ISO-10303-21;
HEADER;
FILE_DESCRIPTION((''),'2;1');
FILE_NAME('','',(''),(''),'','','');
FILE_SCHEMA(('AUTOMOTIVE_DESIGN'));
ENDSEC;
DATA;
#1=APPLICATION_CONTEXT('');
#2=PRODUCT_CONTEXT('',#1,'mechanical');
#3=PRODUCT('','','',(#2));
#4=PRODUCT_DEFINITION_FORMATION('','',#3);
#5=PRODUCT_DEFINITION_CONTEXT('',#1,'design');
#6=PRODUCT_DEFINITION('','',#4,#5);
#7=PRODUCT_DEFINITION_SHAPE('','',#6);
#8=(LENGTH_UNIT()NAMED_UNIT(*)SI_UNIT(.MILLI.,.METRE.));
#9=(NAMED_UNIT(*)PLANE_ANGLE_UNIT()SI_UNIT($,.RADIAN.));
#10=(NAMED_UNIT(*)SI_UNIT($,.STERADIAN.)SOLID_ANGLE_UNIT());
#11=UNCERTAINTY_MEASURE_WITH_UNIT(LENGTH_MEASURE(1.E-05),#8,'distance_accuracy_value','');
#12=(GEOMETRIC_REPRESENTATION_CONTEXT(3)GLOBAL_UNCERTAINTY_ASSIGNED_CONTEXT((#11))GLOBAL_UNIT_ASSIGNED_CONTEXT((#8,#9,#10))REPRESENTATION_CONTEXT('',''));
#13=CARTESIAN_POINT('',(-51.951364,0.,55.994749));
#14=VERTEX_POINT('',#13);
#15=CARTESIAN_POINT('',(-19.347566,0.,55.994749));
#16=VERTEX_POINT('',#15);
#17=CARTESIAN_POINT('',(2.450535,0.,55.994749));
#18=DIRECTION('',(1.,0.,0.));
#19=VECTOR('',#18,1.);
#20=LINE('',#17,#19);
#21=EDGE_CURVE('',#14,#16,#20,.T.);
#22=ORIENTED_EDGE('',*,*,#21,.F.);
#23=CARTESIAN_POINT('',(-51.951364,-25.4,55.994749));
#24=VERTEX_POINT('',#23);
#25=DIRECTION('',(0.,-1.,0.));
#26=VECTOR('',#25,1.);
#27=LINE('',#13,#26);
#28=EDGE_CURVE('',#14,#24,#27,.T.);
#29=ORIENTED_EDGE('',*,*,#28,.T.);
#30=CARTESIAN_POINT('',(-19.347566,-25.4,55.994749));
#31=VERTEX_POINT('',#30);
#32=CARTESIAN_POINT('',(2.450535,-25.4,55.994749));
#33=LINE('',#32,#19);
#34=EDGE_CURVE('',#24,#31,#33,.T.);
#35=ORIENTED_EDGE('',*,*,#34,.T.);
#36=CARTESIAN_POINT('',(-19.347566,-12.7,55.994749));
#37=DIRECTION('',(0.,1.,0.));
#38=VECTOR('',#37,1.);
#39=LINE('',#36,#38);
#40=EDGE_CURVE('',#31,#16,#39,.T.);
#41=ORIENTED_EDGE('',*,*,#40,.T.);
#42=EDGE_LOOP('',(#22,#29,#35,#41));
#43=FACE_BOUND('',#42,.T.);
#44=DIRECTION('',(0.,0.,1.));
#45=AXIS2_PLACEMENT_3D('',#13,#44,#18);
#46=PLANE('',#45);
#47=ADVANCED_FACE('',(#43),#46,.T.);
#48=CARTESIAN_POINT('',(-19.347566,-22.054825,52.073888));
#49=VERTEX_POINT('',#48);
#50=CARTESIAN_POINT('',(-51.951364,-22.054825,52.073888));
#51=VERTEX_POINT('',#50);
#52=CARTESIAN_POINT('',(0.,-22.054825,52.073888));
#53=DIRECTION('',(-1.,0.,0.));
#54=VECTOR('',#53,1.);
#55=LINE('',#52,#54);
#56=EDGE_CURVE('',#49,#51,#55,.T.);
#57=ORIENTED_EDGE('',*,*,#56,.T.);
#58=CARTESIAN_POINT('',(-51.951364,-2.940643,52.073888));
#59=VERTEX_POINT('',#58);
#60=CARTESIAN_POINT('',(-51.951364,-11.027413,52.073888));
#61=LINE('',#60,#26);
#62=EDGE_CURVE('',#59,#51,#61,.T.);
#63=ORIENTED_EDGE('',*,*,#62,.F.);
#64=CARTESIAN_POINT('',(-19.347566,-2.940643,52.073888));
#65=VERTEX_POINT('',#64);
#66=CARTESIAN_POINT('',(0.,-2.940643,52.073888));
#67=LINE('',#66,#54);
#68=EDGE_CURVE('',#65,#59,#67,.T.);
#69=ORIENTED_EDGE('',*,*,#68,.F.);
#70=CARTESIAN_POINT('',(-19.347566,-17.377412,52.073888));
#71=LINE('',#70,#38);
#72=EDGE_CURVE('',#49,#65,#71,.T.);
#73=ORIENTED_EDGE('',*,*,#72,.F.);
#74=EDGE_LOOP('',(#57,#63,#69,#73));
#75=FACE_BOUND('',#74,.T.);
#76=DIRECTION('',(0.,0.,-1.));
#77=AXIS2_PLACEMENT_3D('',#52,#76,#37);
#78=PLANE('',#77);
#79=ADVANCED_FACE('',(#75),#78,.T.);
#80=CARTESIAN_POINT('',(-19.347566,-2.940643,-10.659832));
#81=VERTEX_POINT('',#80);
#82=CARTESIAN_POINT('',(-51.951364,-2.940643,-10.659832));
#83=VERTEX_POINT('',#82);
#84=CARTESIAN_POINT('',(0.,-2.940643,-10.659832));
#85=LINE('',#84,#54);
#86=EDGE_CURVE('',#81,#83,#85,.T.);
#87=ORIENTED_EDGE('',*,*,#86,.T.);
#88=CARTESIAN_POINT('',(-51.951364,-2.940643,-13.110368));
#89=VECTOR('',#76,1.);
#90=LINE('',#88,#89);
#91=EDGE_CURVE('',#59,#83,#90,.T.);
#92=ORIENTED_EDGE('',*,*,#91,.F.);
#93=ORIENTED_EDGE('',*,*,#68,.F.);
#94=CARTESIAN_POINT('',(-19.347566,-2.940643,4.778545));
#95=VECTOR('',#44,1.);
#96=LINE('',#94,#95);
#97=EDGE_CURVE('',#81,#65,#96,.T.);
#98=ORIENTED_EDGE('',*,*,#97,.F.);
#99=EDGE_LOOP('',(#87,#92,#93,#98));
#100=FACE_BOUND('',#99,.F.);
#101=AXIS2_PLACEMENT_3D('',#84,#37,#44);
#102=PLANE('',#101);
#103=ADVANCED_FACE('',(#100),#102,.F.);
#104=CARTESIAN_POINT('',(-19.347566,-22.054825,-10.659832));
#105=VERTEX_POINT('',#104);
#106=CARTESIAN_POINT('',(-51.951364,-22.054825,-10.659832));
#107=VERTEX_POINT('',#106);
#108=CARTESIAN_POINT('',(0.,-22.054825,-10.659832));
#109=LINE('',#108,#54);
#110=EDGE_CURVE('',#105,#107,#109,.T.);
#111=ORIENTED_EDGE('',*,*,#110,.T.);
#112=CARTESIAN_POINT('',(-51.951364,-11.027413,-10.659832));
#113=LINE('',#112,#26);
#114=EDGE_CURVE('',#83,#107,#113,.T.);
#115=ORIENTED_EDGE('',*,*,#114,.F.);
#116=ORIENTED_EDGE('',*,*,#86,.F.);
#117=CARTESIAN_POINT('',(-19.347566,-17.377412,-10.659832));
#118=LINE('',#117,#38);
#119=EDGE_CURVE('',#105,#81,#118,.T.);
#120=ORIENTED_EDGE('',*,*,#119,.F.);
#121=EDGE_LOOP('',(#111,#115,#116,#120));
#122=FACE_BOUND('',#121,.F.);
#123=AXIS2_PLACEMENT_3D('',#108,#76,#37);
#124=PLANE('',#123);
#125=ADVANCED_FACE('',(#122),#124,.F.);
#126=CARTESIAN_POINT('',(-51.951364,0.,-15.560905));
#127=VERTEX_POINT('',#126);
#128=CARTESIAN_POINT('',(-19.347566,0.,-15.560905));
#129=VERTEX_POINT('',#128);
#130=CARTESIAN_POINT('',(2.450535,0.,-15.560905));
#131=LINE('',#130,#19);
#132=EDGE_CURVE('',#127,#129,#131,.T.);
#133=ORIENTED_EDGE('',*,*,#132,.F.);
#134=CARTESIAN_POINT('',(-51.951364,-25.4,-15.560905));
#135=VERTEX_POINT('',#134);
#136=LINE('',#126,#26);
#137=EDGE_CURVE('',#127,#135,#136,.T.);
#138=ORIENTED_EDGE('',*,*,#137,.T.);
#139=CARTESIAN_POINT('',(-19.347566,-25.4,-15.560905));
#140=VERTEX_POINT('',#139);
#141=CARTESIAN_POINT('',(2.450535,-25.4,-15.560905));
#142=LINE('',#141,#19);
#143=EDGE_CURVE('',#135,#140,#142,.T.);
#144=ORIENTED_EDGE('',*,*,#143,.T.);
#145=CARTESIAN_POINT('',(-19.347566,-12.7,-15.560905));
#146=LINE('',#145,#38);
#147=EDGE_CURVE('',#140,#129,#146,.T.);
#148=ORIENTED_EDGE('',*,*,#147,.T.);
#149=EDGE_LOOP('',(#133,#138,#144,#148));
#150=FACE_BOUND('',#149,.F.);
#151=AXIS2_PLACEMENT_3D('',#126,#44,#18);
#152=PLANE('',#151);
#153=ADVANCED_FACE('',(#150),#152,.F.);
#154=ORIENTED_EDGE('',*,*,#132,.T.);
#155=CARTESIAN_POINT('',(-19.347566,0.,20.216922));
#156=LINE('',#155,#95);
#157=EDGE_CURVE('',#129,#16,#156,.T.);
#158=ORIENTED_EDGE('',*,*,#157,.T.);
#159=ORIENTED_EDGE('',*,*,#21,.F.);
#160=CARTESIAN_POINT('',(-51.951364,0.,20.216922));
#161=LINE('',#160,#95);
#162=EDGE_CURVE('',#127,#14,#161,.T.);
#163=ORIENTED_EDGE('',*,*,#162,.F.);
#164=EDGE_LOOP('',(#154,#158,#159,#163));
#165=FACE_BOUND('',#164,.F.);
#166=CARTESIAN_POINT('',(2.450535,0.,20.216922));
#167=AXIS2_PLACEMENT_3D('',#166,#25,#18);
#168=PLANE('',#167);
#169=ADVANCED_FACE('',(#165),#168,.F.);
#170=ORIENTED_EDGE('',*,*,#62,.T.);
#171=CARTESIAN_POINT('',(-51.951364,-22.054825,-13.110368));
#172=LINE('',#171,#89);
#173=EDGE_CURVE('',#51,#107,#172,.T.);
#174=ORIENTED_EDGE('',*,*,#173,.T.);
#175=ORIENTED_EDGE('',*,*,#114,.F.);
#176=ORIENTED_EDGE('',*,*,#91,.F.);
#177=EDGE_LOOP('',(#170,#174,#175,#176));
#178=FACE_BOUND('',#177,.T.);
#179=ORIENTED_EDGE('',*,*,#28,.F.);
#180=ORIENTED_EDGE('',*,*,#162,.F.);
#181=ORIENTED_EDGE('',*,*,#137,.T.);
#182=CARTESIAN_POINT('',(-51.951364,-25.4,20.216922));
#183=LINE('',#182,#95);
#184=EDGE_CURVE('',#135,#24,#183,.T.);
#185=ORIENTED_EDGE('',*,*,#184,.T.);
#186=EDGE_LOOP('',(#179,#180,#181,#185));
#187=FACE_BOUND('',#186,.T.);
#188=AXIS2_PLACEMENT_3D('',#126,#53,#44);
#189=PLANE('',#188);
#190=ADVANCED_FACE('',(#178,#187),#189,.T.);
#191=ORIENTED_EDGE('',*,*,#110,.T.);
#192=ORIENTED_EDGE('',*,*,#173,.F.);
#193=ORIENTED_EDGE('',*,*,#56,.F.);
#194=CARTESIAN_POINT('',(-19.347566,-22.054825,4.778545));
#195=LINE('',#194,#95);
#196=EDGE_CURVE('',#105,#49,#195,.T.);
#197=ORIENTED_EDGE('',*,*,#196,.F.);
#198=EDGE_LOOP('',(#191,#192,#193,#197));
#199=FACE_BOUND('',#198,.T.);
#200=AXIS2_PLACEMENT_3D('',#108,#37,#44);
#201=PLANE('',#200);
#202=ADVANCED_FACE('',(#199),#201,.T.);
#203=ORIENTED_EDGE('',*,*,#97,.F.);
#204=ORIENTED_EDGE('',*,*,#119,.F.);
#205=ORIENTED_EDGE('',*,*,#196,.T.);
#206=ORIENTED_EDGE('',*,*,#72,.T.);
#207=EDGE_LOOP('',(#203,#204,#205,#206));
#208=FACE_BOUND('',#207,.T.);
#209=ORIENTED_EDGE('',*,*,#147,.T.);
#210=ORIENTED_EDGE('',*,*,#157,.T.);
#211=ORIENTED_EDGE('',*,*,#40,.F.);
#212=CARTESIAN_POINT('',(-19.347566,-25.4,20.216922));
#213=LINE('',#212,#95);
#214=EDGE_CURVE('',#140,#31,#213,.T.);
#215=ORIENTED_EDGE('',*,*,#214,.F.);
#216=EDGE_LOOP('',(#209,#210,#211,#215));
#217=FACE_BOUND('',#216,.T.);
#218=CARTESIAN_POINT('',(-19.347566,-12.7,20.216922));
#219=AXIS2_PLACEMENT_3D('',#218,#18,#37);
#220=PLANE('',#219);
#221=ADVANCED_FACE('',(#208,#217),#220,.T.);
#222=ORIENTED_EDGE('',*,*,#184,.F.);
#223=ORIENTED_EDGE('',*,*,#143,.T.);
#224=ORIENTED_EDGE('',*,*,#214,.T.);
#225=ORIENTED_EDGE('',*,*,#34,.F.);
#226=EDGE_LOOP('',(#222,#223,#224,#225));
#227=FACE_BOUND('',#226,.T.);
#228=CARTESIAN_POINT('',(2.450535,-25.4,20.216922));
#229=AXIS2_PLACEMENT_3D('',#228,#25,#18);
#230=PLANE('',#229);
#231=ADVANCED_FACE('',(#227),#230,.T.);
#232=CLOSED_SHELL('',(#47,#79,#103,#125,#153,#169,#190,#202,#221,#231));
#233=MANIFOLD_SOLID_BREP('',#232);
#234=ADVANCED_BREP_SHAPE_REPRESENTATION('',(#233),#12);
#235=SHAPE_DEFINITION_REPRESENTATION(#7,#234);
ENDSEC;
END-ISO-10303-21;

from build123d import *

# Parameters (mm, degrees)
F0_W      = 108.803798
F0_H      = 71.555654
F1_DEPTH  = 25.4
F1_FACE_W = 25.4
F1_FACE_H = 71.555654
F2_W      = 19.114182
F2_H      = 62.73372
F3_DEPTH  = 76.2


with BuildPart() as f1:
    # F0 (on Front) → F1 (new body)
    with BuildSketch(Plane.XZ):
        with Locations((2.450535, 20.216922)):
            Rectangle(F0_W, F0_H)
    extrude(amount=F1_DEPTH)

    # F1_face (on face) + F2 (on Right) → F3 (cut)
    with BuildSketch(Plane(origin=(56.852434, -12.7, 20.216922), x_dir=(0, 1, 0), z_dir=(1, 0, 0))):
        Rectangle(F1_FACE_W, F1_FACE_H)
    with BuildSketch(Plane.YZ):
        with Locations((-12.497734, 20.707028)):
            Rectangle(F2_W, F2_H)
    extrude(amount=-F3_DEPTH, mode=Mode.SUBTRACT)


solid = f1.part
